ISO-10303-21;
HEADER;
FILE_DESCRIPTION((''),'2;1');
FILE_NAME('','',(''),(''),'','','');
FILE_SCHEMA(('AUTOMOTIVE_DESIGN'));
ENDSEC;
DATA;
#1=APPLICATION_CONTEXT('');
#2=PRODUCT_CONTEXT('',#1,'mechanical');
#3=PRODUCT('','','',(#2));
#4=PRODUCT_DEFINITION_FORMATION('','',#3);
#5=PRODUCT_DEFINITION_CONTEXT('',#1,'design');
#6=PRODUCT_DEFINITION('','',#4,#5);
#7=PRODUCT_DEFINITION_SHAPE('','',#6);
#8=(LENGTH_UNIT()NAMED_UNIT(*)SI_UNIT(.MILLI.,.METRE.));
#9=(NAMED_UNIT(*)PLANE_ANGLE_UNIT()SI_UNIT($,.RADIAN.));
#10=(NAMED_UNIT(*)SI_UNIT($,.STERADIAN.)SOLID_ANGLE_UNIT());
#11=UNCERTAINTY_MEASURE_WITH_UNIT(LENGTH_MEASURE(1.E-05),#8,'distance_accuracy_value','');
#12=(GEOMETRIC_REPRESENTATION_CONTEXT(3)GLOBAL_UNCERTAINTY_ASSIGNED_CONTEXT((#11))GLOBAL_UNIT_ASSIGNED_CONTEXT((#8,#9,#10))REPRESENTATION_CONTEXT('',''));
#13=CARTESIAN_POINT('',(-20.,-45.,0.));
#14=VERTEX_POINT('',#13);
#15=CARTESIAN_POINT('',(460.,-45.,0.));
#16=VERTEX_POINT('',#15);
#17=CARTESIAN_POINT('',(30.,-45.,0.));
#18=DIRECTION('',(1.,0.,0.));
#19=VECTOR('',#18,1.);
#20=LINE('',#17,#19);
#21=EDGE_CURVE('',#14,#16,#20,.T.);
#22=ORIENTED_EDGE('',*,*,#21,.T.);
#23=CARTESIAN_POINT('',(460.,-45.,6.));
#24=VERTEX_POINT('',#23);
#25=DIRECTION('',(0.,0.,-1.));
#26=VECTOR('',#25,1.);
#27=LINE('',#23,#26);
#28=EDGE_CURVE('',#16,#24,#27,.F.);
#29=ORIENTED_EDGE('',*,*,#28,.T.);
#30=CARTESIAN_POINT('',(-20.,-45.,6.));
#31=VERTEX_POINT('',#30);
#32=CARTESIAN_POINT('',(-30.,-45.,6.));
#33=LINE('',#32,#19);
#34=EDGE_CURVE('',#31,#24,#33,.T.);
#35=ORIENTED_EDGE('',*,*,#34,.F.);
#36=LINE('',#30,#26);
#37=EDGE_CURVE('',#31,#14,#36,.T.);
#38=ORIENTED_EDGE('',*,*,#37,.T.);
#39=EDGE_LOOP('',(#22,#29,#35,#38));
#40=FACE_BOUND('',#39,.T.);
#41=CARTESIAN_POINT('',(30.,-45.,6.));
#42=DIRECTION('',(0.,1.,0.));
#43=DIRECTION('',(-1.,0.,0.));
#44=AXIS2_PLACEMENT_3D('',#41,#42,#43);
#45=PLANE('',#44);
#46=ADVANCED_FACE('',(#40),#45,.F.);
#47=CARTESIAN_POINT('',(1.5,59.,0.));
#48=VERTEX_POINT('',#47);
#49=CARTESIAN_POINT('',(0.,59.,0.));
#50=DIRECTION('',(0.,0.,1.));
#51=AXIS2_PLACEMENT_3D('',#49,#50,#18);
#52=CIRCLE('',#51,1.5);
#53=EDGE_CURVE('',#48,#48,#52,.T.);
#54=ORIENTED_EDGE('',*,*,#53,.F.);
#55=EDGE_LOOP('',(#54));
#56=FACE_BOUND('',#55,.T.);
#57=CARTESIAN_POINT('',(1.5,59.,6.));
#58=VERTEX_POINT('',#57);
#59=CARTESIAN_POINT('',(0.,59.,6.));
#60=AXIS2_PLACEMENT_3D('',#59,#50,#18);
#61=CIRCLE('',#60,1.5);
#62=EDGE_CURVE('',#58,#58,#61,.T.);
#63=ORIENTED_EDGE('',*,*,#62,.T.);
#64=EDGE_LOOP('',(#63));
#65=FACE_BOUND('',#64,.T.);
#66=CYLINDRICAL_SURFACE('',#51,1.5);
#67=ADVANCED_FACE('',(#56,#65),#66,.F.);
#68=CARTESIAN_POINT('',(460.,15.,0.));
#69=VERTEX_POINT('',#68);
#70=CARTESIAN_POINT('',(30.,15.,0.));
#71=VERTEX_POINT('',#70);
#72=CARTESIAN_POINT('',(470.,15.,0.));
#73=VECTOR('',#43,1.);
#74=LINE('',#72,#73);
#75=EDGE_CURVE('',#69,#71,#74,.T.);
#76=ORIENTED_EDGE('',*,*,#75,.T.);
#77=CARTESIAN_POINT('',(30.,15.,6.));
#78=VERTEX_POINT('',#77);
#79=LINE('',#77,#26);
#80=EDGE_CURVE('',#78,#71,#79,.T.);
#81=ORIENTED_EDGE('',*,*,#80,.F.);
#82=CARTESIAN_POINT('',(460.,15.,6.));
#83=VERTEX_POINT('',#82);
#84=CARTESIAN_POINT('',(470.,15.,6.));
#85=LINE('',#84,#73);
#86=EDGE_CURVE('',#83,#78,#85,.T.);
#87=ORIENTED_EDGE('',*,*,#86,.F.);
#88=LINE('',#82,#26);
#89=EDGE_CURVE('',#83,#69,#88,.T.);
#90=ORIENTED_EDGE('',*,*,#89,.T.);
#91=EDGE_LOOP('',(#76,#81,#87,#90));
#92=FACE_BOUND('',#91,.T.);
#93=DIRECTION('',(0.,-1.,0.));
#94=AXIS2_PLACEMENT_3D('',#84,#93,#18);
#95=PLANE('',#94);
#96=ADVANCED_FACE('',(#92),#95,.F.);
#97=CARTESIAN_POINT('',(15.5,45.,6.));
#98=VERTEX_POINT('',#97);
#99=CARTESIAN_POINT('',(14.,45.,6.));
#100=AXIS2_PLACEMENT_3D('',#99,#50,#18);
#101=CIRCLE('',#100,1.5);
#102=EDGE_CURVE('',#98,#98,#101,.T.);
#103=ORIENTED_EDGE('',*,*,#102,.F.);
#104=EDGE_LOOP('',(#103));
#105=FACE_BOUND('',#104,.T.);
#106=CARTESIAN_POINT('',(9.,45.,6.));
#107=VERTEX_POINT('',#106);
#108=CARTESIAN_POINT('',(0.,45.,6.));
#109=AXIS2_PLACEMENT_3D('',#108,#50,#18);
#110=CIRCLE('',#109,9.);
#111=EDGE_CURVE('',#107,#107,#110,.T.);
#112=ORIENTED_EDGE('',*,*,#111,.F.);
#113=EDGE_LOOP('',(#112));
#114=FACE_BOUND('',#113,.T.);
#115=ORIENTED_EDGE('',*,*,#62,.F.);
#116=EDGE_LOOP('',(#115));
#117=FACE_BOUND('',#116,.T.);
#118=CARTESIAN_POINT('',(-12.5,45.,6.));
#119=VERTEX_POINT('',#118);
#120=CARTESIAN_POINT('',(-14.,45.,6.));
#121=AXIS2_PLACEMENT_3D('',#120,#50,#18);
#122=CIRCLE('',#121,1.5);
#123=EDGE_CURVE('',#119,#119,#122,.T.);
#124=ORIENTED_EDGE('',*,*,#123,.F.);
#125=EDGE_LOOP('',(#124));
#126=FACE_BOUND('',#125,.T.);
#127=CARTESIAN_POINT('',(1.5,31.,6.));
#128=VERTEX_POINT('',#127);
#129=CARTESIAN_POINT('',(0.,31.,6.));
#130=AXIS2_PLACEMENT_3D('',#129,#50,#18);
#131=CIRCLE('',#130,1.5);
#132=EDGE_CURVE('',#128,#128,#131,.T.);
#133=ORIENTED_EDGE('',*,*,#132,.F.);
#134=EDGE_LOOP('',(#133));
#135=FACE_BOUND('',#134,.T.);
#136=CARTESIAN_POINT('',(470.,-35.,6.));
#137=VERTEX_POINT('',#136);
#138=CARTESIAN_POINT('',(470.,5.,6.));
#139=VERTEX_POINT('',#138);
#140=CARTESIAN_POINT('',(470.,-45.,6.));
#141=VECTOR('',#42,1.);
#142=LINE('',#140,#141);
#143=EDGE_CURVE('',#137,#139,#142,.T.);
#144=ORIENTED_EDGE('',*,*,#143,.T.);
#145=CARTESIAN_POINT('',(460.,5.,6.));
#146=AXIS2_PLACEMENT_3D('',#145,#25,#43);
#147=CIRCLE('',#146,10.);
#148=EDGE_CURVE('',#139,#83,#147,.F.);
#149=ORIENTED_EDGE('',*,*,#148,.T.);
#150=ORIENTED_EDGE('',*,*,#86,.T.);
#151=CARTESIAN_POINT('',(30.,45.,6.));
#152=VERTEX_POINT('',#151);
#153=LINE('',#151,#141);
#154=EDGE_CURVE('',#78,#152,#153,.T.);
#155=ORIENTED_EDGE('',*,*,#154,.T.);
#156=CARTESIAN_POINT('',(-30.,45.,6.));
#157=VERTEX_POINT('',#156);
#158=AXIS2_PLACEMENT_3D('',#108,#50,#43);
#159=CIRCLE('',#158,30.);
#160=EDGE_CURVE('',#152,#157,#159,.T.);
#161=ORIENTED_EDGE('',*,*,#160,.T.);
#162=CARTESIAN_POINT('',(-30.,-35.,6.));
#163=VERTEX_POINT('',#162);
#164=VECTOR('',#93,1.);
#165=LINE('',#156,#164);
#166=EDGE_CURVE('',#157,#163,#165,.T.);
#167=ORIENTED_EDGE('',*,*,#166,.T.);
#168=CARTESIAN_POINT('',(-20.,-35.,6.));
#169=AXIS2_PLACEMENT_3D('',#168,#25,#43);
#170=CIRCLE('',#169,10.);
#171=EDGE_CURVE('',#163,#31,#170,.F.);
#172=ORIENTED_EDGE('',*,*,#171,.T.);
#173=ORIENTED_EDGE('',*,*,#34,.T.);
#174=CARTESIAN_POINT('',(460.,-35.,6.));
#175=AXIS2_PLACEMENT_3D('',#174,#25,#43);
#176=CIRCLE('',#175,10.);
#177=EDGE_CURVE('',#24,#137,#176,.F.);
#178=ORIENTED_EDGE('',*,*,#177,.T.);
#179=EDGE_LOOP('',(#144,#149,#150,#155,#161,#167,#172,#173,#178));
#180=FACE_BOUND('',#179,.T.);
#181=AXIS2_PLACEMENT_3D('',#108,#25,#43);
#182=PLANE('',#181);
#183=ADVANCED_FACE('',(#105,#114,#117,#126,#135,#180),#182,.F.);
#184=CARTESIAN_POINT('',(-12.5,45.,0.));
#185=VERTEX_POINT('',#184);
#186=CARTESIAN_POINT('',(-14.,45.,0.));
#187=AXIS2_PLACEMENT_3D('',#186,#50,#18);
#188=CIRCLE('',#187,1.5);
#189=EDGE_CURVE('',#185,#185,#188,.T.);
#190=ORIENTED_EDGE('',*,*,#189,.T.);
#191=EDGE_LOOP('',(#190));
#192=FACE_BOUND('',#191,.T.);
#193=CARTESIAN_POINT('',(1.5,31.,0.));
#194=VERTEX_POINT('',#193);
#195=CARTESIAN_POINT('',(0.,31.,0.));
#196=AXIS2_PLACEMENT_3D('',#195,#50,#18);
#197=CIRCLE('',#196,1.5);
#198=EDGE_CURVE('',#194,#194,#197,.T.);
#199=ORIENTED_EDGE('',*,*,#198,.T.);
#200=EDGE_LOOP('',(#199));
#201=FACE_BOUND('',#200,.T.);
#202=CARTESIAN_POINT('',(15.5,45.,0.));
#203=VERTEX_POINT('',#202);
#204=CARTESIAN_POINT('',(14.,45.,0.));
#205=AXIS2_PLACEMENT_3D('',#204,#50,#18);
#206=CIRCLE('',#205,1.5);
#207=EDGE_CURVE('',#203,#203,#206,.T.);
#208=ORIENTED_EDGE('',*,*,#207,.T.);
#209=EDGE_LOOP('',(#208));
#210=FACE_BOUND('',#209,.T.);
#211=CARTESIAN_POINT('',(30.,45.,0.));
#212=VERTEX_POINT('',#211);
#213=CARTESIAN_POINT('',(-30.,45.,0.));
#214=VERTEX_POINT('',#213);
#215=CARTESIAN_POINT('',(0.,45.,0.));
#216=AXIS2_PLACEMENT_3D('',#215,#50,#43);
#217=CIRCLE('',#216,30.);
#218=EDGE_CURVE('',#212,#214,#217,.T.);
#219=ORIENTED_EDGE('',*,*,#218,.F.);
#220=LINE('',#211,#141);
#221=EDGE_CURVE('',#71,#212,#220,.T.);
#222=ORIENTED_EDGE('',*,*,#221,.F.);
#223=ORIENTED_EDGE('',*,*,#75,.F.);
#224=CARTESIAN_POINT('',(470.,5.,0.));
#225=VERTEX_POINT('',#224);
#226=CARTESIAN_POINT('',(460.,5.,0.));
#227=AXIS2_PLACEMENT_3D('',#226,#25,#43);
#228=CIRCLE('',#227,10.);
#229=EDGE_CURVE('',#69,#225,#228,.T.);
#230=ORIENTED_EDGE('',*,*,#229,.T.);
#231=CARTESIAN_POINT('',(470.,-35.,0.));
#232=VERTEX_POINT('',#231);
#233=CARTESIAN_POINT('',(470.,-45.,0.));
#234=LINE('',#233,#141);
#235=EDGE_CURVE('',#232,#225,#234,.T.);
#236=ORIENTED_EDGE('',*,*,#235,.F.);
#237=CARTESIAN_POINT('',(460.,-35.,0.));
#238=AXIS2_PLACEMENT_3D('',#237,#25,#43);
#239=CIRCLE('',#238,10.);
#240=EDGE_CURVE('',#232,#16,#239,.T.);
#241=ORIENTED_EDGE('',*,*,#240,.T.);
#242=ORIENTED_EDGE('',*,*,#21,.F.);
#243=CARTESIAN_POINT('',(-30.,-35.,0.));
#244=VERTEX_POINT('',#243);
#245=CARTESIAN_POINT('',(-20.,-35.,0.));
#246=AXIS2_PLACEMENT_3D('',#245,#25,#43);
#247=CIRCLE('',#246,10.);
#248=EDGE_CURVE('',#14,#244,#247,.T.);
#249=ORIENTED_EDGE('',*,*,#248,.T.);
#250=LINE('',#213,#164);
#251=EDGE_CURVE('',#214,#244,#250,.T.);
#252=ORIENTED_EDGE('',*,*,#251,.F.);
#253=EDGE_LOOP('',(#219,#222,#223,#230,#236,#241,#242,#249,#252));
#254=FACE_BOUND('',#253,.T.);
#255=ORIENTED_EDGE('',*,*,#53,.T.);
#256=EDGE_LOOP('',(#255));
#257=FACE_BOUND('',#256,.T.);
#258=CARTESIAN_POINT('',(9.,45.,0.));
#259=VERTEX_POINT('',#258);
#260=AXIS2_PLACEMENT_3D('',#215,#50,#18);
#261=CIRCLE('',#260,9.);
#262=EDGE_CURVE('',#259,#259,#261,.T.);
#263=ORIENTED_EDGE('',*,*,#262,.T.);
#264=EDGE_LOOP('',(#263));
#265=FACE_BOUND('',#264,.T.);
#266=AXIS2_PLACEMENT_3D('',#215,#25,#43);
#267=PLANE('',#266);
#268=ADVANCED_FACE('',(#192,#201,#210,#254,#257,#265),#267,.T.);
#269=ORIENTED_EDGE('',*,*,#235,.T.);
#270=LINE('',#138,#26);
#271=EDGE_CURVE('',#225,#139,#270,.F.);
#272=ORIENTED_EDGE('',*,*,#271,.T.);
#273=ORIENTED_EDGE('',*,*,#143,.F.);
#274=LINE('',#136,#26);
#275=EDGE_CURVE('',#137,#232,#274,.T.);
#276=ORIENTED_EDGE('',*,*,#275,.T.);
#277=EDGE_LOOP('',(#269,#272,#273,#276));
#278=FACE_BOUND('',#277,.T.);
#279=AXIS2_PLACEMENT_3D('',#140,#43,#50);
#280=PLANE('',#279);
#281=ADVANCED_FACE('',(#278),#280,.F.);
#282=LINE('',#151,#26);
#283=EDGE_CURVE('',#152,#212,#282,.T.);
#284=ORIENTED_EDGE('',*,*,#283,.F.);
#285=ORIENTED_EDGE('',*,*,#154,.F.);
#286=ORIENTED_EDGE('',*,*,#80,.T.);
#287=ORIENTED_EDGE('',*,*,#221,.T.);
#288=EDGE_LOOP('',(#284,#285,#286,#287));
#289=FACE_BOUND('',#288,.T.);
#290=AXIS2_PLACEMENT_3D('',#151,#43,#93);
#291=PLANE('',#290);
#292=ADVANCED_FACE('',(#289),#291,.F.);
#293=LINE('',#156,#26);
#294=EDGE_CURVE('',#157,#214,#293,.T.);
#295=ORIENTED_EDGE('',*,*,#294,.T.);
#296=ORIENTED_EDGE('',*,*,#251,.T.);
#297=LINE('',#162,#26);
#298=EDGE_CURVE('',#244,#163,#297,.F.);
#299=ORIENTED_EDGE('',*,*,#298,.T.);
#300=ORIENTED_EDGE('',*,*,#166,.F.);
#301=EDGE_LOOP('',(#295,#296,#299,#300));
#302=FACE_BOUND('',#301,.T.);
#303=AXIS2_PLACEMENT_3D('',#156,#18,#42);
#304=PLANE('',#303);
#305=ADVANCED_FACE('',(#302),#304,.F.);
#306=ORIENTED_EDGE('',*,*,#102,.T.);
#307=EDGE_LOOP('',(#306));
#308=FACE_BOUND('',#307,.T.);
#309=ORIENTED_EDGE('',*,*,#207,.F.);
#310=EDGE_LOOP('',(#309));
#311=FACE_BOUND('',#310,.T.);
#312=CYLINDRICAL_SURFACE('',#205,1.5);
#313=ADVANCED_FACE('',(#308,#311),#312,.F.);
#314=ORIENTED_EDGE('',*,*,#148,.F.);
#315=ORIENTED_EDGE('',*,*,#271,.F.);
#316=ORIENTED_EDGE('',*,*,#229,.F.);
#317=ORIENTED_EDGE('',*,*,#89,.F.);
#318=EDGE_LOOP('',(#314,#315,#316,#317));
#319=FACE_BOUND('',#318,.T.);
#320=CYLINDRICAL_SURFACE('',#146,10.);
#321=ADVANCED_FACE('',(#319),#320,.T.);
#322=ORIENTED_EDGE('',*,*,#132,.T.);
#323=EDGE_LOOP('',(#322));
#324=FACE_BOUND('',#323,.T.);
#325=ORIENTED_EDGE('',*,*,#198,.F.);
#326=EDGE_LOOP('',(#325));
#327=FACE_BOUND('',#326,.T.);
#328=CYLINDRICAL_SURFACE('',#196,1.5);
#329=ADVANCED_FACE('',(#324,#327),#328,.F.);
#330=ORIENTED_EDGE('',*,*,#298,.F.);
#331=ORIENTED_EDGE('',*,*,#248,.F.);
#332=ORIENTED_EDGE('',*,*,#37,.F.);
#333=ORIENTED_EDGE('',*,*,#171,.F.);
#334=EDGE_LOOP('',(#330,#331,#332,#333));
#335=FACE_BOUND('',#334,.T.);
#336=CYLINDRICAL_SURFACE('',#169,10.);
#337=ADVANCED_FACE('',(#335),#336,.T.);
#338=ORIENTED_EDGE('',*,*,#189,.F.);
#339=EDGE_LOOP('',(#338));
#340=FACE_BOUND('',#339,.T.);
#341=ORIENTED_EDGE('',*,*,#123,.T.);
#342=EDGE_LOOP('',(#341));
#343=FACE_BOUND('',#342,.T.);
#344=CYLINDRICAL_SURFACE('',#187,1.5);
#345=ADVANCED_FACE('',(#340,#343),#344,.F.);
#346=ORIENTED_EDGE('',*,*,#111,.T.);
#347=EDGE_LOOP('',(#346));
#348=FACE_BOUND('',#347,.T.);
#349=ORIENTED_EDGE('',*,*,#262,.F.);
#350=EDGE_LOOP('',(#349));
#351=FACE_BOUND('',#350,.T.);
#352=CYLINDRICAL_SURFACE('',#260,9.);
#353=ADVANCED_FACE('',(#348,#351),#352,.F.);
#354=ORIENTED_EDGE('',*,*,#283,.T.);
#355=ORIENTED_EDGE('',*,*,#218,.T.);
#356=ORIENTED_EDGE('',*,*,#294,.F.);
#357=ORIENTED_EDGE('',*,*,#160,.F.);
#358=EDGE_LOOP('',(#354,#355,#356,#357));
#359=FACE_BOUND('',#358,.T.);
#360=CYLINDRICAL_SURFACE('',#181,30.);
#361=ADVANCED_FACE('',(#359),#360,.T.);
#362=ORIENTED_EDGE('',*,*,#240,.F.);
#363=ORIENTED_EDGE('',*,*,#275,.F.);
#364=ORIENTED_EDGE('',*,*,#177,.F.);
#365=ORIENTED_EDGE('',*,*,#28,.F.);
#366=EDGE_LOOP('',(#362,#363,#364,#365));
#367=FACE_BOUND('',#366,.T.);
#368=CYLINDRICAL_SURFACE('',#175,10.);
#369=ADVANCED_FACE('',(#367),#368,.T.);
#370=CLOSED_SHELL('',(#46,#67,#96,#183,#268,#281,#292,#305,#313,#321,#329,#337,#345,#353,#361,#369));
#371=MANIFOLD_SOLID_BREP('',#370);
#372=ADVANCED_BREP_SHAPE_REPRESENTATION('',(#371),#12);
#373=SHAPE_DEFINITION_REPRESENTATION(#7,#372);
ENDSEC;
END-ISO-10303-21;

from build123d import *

# Parameters (mm, degrees)
SALIENTE_EXTRUIR1_DEPTH = 6
REDONDEO1_R             = 10
REDONDEO2_R             = 10
CROQUIS2_R              = 9
CORTAR_EXTRUIR1_DEPTH   = 476.984243437
CROQUIS3_R              = 1.5
CORTAR_EXTRUIR2_DEPTH   = 476.984243437


with BuildPart() as part:
    # Croquis1 → Saliente-Extruir1 (new body)
    with BuildSketch(Plane.XY):
        with BuildLine():
            Line((30, -45), (470, -45))
            Line((470, -45), (470, 15))
            Line((470, 15), (30, 15))
            Line((30, 15), (30, 45))
            ThreePointArc((30, 45), (0, 75), (-30, 45))
            Line((-30, 45), (-30, -45))
            Line((-30, -45), (30, -45))
        make_face()
    extrude(amount=SALIENTE_EXTRUIR1_DEPTH)

    # Redondeo1
    redondeo1_edges = [part.edges().sort_by_distance(p)[0] for p in [
        (-30, -45, 3),
    ]]
    fillet(redondeo1_edges, radius=REDONDEO1_R)

    # Redondeo2
    redondeo2_edges = [part.edges().sort_by_distance(p)[0] for p in [
        (470, 15, 3),
        (470, -45, 3),
    ]]
    fillet(redondeo2_edges, radius=REDONDEO2_R)

    # Croquis2 → Cortar-Extruir1 (cut, through all)
    with BuildSketch(Plane.XY.offset(6)):
        with Locations((0, 45)):
            Circle(CROQUIS2_R)
    extrude(amount=-CORTAR_EXTRUIR1_DEPTH, mode=Mode.SUBTRACT)

    # Croquis3 → Cortar-Extruir2 (cut, through all)
    with BuildSketch(Plane.XY.offset(6)):
        with Locations((0, 31)):
            Circle(CROQUIS3_R)
        with Locations((14, 45)):
            Circle(CROQUIS3_R)
        with Locations((0, 59)):
            Circle(CROQUIS3_R)
        with Locations((-14, 45)):
            Circle(CROQUIS3_R)
    extrude(amount=-CORTAR_EXTRUIR2_DEPTH, mode=Mode.SUBTRACT)


solid = part.part
